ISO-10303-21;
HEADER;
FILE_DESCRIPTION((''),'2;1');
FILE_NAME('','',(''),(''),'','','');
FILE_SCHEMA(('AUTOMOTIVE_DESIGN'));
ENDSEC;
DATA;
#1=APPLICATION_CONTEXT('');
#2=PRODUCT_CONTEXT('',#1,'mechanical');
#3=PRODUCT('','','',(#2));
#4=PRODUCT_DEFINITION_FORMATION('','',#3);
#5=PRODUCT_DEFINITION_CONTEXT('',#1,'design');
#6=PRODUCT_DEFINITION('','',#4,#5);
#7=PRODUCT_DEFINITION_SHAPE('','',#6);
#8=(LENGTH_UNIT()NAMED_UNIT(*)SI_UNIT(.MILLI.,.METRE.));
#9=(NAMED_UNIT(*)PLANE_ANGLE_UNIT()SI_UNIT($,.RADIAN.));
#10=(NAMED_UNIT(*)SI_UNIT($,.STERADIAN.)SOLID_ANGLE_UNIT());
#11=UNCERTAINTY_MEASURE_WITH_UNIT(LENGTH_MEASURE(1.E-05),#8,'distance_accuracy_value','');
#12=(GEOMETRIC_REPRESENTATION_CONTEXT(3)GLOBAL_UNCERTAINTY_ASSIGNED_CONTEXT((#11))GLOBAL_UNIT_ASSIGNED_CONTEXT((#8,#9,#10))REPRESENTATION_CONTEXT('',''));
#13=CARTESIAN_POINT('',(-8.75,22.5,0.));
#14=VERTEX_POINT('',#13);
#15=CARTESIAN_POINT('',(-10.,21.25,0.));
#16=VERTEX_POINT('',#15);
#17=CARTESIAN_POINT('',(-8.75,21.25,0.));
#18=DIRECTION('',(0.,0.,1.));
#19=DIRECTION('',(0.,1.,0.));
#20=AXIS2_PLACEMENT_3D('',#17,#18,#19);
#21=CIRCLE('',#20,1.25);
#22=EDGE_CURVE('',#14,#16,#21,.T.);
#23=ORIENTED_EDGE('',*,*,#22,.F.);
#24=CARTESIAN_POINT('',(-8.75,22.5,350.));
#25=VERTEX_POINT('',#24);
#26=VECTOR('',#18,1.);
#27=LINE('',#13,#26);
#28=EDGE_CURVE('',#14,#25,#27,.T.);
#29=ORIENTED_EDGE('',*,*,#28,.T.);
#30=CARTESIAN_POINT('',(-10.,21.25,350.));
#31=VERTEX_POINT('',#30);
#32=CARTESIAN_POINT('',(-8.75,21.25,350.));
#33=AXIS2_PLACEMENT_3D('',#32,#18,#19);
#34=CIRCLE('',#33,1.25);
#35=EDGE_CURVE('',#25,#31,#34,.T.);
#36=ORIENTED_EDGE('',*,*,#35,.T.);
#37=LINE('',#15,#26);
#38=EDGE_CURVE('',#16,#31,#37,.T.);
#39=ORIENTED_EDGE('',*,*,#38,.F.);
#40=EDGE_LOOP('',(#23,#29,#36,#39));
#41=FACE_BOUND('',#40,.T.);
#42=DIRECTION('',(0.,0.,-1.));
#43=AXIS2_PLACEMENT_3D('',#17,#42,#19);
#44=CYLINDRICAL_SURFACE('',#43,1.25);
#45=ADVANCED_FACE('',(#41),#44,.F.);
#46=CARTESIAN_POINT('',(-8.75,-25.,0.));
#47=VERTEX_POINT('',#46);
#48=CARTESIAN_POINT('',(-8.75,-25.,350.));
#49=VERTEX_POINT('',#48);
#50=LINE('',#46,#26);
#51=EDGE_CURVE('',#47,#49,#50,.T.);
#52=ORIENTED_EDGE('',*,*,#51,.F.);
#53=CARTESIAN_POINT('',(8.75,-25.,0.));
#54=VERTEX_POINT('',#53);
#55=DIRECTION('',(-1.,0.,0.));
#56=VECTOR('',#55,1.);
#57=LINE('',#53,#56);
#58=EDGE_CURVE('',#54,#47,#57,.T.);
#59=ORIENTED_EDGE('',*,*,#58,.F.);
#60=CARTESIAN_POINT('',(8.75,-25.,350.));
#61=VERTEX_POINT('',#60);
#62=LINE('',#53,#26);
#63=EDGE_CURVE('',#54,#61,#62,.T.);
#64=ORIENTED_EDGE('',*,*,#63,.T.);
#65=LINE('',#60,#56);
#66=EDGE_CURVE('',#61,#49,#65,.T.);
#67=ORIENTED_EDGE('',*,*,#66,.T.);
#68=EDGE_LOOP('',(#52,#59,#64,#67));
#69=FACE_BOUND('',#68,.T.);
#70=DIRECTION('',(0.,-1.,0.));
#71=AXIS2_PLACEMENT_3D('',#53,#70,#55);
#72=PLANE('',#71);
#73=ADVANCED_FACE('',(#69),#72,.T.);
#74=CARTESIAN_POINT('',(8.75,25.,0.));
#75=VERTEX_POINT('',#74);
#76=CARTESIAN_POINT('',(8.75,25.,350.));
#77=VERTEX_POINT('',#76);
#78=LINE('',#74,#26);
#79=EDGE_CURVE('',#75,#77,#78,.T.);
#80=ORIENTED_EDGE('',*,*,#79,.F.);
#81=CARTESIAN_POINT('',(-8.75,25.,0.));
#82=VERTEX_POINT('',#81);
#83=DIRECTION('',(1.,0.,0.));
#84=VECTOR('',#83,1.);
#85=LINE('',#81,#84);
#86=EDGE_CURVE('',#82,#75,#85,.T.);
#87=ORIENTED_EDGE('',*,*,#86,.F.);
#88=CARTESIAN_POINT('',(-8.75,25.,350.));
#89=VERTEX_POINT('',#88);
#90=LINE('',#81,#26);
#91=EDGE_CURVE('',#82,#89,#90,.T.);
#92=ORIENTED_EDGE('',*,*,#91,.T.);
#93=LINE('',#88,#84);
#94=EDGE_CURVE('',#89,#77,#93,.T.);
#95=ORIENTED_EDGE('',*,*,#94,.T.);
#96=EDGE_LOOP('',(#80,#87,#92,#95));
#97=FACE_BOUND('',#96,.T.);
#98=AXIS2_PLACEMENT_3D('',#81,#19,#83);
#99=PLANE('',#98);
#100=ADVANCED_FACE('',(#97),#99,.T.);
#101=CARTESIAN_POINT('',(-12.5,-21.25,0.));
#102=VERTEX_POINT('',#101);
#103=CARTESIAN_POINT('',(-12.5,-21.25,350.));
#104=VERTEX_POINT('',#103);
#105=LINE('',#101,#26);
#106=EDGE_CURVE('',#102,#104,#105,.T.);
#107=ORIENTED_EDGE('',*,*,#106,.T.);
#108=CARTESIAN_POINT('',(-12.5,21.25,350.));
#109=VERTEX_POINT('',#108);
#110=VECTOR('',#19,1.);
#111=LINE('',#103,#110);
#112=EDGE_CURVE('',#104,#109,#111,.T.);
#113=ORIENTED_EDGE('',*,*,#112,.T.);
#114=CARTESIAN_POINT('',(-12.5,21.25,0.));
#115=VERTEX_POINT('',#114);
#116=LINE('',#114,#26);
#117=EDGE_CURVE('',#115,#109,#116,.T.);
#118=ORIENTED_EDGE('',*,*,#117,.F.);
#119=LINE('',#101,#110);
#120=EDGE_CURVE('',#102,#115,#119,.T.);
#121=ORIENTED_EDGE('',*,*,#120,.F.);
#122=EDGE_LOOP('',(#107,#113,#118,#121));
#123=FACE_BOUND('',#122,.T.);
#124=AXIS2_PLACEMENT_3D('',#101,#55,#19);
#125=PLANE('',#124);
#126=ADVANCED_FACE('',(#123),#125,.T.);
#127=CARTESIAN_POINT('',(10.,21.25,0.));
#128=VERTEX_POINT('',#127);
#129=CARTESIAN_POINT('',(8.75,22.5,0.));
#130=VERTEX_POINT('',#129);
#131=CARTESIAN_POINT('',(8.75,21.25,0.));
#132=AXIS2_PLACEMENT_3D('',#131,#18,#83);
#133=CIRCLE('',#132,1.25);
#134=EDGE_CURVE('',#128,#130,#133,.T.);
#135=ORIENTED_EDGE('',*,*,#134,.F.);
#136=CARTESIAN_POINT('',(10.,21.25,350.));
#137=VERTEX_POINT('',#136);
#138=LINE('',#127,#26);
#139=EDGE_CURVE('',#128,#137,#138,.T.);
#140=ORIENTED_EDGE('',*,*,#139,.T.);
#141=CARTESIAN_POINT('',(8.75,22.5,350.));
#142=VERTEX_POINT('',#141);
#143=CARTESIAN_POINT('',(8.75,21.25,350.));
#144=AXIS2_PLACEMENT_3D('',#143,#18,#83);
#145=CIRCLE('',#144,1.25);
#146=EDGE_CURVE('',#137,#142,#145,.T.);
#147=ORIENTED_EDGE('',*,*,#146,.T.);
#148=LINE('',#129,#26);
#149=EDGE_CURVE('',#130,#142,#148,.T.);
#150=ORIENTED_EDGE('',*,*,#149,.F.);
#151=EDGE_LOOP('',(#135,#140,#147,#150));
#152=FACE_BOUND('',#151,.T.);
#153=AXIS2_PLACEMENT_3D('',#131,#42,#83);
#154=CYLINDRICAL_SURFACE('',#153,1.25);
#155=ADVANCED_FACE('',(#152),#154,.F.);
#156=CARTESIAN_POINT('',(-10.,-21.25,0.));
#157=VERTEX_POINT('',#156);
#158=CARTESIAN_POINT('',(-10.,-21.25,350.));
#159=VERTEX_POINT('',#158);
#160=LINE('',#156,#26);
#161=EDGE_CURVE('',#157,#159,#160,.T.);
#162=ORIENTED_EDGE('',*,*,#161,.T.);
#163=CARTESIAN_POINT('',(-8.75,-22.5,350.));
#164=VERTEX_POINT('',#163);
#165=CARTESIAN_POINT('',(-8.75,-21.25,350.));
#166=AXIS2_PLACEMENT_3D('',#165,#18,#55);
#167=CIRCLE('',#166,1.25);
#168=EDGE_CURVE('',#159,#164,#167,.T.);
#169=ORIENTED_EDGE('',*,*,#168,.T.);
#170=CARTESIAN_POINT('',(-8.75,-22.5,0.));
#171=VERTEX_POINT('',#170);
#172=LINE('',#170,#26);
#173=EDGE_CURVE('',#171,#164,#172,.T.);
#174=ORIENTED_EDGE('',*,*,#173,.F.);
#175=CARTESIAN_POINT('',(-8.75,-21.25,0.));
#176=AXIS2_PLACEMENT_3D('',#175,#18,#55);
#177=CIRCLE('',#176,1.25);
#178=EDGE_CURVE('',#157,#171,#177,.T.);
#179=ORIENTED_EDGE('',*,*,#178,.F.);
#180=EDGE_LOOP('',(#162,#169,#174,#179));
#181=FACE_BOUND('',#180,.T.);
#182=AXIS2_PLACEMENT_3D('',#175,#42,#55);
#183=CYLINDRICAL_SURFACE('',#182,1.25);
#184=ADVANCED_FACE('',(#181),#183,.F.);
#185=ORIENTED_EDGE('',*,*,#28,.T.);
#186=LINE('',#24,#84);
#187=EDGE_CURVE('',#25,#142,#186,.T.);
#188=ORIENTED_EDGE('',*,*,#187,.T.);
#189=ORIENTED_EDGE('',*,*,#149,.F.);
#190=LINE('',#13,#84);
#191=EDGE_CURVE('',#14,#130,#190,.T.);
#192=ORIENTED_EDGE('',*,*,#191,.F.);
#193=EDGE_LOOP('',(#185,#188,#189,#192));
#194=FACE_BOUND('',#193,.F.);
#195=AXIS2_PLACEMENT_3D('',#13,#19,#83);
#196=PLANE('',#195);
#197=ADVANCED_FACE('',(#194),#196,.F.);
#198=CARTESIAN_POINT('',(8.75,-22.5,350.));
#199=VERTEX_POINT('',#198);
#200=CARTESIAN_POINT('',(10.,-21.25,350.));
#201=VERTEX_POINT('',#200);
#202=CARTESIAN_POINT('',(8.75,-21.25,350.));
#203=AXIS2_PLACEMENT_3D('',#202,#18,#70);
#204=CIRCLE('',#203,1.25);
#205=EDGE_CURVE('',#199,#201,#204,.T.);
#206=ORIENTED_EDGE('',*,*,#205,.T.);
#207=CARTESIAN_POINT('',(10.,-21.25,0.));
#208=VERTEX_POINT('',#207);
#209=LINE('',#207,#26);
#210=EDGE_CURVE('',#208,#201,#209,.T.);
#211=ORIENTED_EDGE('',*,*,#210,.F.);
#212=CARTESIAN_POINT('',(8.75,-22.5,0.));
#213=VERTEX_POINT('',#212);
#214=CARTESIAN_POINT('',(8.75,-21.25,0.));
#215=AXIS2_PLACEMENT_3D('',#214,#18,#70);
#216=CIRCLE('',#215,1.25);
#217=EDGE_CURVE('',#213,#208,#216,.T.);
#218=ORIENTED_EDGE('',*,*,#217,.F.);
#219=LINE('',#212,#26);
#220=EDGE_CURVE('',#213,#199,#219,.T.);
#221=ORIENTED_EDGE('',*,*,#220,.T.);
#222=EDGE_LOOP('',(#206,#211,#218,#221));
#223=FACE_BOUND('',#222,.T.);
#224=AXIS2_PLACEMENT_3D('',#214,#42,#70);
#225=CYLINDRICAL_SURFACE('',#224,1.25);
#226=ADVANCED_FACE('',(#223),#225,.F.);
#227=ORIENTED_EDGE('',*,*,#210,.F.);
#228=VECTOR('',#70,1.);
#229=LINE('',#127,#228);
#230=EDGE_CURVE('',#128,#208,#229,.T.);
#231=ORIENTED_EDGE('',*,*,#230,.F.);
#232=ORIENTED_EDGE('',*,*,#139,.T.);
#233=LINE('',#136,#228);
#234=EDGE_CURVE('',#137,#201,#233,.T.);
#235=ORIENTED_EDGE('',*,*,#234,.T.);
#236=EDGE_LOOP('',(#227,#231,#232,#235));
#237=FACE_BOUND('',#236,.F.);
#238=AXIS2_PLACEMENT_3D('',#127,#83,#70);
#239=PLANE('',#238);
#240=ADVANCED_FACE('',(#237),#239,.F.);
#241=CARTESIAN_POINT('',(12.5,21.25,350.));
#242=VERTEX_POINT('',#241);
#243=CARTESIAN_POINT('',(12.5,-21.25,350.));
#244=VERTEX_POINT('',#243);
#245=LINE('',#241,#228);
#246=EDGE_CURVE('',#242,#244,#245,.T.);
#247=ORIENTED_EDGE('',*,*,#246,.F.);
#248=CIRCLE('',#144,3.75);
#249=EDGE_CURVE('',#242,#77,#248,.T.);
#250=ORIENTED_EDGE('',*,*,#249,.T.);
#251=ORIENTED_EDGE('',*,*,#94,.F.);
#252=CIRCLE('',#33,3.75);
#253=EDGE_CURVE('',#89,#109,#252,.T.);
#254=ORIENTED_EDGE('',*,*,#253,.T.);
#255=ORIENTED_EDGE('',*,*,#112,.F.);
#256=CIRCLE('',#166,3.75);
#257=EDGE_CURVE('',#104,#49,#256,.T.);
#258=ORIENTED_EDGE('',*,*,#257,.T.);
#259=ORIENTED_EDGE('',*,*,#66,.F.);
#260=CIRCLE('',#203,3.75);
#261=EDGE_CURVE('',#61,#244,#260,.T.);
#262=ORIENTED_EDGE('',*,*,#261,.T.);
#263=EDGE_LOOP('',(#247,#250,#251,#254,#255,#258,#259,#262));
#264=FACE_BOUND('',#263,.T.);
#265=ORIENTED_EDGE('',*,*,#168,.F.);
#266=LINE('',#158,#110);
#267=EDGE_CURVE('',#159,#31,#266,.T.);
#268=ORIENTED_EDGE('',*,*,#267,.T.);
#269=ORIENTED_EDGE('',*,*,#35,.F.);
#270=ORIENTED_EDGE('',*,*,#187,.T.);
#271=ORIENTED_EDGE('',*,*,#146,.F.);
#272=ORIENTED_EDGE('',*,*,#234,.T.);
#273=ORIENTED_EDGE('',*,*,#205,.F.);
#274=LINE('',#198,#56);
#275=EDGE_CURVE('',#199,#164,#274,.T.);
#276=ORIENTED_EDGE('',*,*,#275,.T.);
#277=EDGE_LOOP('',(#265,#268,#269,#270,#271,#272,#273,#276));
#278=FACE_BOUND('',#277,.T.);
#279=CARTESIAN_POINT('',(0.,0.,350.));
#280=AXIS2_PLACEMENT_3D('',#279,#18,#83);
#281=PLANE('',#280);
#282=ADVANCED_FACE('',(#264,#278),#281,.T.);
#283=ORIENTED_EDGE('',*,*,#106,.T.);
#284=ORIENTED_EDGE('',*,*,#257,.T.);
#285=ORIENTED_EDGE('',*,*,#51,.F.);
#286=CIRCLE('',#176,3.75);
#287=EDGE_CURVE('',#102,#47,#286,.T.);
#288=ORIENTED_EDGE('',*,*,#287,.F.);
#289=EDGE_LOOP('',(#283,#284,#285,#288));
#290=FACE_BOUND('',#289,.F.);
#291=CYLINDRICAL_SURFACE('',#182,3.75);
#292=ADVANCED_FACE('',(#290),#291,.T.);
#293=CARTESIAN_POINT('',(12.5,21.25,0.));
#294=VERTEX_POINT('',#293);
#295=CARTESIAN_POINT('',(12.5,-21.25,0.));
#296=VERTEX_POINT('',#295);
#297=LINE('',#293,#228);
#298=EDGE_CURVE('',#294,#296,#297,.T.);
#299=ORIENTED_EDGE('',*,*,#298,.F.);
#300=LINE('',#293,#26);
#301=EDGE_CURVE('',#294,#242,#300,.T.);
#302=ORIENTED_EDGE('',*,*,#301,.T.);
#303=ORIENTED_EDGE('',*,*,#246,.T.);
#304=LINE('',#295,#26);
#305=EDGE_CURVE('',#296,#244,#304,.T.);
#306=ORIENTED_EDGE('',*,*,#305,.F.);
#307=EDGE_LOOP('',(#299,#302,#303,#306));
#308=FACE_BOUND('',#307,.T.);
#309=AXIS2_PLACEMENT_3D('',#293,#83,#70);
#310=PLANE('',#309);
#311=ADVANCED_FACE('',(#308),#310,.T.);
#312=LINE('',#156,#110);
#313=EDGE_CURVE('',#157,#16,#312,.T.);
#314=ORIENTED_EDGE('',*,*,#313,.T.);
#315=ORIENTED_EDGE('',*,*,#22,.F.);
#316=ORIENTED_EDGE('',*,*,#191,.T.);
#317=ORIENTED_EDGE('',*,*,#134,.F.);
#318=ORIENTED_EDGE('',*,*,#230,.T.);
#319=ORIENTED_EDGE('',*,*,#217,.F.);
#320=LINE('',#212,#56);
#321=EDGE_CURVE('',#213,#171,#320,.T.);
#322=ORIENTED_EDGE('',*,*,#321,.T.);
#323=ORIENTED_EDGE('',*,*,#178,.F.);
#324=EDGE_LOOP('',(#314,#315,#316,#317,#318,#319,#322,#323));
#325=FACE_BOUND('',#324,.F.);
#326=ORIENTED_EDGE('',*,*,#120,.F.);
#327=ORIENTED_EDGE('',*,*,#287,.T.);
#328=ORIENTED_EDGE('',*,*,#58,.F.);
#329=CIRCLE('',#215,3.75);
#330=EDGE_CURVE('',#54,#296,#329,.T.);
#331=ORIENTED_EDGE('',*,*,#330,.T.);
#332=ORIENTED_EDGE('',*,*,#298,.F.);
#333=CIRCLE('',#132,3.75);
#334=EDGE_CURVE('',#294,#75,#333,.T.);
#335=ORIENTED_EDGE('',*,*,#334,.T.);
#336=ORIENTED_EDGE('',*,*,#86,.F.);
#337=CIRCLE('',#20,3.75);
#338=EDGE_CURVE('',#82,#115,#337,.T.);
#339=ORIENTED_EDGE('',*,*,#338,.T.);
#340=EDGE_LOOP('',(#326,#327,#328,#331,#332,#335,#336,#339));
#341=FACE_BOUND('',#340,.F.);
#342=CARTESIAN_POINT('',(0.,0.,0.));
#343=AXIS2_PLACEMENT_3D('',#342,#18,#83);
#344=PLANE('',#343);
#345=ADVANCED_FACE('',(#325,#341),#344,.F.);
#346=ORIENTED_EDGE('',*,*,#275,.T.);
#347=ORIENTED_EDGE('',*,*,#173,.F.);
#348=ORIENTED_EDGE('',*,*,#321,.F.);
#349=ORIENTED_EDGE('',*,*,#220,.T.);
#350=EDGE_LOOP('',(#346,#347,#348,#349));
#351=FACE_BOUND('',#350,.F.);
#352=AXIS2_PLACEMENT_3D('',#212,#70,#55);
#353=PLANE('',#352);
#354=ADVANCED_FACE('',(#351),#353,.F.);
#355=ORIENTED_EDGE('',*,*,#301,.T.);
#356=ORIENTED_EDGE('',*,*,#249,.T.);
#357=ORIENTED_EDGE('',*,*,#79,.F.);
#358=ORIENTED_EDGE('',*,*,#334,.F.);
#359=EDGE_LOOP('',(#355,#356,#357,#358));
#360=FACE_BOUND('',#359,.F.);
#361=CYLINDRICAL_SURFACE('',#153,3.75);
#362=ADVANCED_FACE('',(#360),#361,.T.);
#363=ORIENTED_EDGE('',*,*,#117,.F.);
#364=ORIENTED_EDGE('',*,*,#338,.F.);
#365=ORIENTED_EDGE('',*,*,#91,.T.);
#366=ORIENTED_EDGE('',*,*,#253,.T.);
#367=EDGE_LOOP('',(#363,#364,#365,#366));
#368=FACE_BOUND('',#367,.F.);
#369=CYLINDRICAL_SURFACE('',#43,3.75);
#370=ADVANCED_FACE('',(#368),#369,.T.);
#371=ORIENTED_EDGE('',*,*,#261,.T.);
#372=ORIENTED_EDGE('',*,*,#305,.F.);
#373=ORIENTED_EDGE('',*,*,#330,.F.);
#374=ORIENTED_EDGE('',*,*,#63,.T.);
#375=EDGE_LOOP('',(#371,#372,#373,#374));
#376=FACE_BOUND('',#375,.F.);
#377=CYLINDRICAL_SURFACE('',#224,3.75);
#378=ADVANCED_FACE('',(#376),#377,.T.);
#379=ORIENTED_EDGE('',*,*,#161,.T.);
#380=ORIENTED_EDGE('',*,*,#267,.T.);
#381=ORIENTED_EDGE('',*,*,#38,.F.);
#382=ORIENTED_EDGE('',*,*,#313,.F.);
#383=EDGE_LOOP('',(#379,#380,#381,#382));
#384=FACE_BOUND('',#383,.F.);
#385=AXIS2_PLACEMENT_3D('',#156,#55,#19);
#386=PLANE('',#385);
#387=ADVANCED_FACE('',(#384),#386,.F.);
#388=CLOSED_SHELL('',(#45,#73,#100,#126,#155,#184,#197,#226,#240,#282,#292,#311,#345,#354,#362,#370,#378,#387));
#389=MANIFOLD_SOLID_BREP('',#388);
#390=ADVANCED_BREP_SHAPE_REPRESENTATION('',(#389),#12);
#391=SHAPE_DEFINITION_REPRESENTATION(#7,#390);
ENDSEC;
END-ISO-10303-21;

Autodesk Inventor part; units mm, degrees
ref_plane "YZ Plane" through (0, 0, 0) normal (1, 0, 0) x (0, 1, 0)
ref_plane "Plano inicial" through (0, 0, 0) normal (0, 0, 1) x (1, 0, 0)
ref_plane "Plano final" through (0, 0, 350) normal (0, 0, 1) x (1, 0, 0)
sketch "Boceto" plane through (0, 0, 0) normal (0, 0, 1) x (1, 0, 0)
  line L0 (-12.5, -21.25) -> (-12.5, 21.25)
  line L1 (-8.75, 25) -> (8.75, 25)
  line L2 (12.5, 21.25) -> (12.5, -21.25)
  line L3 (8.75, -25) -> (-8.75, -25)
  arc A0 (-12.5, -21.25) -> (-8.75, -25) centre (-8.75, -21.25) ccw
  arc A1 (-8.75, 25) -> (-12.5, 21.25) centre (-8.75, 21.25) ccw
  arc A2 (12.5, 21.25) -> (8.75, 25) centre (8.75, 21.25) ccw
  arc A3 (8.75, -25) -> (12.5, -21.25) centre (8.75, -21.25) ccw
  arc A4 (-8.75, 22.5) -> (-10, 21.25) centre (-8.75, 21.25) ccw
  line L4 (-8.75, 22.5) -> (8.75, 22.5)
  arc A5 (10, 21.25) -> (8.75, 22.5) centre (8.75, 21.25) ccw
  line L5 (10, 21.25) -> (10, -21.25)
  arc A6 (8.75, -22.5) -> (10, -21.25) centre (8.75, -21.25) ccw
  line L6 (8.75, -22.5) -> (-8.75, -22.5)
  arc A7 (-10, -21.25) -> (-8.75, -22.5) centre (-8.75, -21.25) ccw
  line L7 (-10, -21.25) -> (-10, 21.25)
  line L8 (0, 36.0873) -> (0, -36.0873) construction
  line L9 (-18.5873, 0) -> (18.5873, 0) construction
  dimension "d7" = 3.75
  dimension "d10" = 50
  dimension "d11" = 25
  dimension "d12" = 2.5
  dimension "d15" = 25
  dimension "d16" = 12.5
extrude "Cuerpo" add sketch "Boceto" along normal up to surface (350 mm away) from surface at 0
sketch "Sketch3" plane through (0, 0, 0) normal (0, 0, 1) x (1, 0, 0)
  line L0 (0, 0) -> (10, 0)
ref_plane "Work Plane3" through (0, 0, 0) normal (0, -1, 0) x (1, 0, 0)
sketch "Sketch4" plane through (0, 0, 0) normal (0, -1, 0) x (1, 0, 0)
  line L0 (-2, 0) -> (12, 0)
  line L1 (-2, 350) -> (12, 350)
  dimension "d18" = 350
equation "\"d7\" = G_IR"
equation "\"d10\" = G_H"
equation "\"d11\" = G_W"
equation "\"d12\" = G_T"
equation "\"d15\" = 0.5 * d10"
equation "\"d16\" = 0.5 * d11"
equation "\"d3\" = G_L"
equation "\"G_W\" = 25"
equation "\"G_H\" = 50"
equation "\"G_T\" = 2.5"
equation "\"G_IR\" = 3.75"
equation "\"G_L\" = d18"
equation "\"G_OFFSET_START\" = 0"
equation "\"G_OFFSET_END\" = 0"
properties part number "ISO 12633-2 - 50x25x2.5 - 350" material "Acero, suave"
